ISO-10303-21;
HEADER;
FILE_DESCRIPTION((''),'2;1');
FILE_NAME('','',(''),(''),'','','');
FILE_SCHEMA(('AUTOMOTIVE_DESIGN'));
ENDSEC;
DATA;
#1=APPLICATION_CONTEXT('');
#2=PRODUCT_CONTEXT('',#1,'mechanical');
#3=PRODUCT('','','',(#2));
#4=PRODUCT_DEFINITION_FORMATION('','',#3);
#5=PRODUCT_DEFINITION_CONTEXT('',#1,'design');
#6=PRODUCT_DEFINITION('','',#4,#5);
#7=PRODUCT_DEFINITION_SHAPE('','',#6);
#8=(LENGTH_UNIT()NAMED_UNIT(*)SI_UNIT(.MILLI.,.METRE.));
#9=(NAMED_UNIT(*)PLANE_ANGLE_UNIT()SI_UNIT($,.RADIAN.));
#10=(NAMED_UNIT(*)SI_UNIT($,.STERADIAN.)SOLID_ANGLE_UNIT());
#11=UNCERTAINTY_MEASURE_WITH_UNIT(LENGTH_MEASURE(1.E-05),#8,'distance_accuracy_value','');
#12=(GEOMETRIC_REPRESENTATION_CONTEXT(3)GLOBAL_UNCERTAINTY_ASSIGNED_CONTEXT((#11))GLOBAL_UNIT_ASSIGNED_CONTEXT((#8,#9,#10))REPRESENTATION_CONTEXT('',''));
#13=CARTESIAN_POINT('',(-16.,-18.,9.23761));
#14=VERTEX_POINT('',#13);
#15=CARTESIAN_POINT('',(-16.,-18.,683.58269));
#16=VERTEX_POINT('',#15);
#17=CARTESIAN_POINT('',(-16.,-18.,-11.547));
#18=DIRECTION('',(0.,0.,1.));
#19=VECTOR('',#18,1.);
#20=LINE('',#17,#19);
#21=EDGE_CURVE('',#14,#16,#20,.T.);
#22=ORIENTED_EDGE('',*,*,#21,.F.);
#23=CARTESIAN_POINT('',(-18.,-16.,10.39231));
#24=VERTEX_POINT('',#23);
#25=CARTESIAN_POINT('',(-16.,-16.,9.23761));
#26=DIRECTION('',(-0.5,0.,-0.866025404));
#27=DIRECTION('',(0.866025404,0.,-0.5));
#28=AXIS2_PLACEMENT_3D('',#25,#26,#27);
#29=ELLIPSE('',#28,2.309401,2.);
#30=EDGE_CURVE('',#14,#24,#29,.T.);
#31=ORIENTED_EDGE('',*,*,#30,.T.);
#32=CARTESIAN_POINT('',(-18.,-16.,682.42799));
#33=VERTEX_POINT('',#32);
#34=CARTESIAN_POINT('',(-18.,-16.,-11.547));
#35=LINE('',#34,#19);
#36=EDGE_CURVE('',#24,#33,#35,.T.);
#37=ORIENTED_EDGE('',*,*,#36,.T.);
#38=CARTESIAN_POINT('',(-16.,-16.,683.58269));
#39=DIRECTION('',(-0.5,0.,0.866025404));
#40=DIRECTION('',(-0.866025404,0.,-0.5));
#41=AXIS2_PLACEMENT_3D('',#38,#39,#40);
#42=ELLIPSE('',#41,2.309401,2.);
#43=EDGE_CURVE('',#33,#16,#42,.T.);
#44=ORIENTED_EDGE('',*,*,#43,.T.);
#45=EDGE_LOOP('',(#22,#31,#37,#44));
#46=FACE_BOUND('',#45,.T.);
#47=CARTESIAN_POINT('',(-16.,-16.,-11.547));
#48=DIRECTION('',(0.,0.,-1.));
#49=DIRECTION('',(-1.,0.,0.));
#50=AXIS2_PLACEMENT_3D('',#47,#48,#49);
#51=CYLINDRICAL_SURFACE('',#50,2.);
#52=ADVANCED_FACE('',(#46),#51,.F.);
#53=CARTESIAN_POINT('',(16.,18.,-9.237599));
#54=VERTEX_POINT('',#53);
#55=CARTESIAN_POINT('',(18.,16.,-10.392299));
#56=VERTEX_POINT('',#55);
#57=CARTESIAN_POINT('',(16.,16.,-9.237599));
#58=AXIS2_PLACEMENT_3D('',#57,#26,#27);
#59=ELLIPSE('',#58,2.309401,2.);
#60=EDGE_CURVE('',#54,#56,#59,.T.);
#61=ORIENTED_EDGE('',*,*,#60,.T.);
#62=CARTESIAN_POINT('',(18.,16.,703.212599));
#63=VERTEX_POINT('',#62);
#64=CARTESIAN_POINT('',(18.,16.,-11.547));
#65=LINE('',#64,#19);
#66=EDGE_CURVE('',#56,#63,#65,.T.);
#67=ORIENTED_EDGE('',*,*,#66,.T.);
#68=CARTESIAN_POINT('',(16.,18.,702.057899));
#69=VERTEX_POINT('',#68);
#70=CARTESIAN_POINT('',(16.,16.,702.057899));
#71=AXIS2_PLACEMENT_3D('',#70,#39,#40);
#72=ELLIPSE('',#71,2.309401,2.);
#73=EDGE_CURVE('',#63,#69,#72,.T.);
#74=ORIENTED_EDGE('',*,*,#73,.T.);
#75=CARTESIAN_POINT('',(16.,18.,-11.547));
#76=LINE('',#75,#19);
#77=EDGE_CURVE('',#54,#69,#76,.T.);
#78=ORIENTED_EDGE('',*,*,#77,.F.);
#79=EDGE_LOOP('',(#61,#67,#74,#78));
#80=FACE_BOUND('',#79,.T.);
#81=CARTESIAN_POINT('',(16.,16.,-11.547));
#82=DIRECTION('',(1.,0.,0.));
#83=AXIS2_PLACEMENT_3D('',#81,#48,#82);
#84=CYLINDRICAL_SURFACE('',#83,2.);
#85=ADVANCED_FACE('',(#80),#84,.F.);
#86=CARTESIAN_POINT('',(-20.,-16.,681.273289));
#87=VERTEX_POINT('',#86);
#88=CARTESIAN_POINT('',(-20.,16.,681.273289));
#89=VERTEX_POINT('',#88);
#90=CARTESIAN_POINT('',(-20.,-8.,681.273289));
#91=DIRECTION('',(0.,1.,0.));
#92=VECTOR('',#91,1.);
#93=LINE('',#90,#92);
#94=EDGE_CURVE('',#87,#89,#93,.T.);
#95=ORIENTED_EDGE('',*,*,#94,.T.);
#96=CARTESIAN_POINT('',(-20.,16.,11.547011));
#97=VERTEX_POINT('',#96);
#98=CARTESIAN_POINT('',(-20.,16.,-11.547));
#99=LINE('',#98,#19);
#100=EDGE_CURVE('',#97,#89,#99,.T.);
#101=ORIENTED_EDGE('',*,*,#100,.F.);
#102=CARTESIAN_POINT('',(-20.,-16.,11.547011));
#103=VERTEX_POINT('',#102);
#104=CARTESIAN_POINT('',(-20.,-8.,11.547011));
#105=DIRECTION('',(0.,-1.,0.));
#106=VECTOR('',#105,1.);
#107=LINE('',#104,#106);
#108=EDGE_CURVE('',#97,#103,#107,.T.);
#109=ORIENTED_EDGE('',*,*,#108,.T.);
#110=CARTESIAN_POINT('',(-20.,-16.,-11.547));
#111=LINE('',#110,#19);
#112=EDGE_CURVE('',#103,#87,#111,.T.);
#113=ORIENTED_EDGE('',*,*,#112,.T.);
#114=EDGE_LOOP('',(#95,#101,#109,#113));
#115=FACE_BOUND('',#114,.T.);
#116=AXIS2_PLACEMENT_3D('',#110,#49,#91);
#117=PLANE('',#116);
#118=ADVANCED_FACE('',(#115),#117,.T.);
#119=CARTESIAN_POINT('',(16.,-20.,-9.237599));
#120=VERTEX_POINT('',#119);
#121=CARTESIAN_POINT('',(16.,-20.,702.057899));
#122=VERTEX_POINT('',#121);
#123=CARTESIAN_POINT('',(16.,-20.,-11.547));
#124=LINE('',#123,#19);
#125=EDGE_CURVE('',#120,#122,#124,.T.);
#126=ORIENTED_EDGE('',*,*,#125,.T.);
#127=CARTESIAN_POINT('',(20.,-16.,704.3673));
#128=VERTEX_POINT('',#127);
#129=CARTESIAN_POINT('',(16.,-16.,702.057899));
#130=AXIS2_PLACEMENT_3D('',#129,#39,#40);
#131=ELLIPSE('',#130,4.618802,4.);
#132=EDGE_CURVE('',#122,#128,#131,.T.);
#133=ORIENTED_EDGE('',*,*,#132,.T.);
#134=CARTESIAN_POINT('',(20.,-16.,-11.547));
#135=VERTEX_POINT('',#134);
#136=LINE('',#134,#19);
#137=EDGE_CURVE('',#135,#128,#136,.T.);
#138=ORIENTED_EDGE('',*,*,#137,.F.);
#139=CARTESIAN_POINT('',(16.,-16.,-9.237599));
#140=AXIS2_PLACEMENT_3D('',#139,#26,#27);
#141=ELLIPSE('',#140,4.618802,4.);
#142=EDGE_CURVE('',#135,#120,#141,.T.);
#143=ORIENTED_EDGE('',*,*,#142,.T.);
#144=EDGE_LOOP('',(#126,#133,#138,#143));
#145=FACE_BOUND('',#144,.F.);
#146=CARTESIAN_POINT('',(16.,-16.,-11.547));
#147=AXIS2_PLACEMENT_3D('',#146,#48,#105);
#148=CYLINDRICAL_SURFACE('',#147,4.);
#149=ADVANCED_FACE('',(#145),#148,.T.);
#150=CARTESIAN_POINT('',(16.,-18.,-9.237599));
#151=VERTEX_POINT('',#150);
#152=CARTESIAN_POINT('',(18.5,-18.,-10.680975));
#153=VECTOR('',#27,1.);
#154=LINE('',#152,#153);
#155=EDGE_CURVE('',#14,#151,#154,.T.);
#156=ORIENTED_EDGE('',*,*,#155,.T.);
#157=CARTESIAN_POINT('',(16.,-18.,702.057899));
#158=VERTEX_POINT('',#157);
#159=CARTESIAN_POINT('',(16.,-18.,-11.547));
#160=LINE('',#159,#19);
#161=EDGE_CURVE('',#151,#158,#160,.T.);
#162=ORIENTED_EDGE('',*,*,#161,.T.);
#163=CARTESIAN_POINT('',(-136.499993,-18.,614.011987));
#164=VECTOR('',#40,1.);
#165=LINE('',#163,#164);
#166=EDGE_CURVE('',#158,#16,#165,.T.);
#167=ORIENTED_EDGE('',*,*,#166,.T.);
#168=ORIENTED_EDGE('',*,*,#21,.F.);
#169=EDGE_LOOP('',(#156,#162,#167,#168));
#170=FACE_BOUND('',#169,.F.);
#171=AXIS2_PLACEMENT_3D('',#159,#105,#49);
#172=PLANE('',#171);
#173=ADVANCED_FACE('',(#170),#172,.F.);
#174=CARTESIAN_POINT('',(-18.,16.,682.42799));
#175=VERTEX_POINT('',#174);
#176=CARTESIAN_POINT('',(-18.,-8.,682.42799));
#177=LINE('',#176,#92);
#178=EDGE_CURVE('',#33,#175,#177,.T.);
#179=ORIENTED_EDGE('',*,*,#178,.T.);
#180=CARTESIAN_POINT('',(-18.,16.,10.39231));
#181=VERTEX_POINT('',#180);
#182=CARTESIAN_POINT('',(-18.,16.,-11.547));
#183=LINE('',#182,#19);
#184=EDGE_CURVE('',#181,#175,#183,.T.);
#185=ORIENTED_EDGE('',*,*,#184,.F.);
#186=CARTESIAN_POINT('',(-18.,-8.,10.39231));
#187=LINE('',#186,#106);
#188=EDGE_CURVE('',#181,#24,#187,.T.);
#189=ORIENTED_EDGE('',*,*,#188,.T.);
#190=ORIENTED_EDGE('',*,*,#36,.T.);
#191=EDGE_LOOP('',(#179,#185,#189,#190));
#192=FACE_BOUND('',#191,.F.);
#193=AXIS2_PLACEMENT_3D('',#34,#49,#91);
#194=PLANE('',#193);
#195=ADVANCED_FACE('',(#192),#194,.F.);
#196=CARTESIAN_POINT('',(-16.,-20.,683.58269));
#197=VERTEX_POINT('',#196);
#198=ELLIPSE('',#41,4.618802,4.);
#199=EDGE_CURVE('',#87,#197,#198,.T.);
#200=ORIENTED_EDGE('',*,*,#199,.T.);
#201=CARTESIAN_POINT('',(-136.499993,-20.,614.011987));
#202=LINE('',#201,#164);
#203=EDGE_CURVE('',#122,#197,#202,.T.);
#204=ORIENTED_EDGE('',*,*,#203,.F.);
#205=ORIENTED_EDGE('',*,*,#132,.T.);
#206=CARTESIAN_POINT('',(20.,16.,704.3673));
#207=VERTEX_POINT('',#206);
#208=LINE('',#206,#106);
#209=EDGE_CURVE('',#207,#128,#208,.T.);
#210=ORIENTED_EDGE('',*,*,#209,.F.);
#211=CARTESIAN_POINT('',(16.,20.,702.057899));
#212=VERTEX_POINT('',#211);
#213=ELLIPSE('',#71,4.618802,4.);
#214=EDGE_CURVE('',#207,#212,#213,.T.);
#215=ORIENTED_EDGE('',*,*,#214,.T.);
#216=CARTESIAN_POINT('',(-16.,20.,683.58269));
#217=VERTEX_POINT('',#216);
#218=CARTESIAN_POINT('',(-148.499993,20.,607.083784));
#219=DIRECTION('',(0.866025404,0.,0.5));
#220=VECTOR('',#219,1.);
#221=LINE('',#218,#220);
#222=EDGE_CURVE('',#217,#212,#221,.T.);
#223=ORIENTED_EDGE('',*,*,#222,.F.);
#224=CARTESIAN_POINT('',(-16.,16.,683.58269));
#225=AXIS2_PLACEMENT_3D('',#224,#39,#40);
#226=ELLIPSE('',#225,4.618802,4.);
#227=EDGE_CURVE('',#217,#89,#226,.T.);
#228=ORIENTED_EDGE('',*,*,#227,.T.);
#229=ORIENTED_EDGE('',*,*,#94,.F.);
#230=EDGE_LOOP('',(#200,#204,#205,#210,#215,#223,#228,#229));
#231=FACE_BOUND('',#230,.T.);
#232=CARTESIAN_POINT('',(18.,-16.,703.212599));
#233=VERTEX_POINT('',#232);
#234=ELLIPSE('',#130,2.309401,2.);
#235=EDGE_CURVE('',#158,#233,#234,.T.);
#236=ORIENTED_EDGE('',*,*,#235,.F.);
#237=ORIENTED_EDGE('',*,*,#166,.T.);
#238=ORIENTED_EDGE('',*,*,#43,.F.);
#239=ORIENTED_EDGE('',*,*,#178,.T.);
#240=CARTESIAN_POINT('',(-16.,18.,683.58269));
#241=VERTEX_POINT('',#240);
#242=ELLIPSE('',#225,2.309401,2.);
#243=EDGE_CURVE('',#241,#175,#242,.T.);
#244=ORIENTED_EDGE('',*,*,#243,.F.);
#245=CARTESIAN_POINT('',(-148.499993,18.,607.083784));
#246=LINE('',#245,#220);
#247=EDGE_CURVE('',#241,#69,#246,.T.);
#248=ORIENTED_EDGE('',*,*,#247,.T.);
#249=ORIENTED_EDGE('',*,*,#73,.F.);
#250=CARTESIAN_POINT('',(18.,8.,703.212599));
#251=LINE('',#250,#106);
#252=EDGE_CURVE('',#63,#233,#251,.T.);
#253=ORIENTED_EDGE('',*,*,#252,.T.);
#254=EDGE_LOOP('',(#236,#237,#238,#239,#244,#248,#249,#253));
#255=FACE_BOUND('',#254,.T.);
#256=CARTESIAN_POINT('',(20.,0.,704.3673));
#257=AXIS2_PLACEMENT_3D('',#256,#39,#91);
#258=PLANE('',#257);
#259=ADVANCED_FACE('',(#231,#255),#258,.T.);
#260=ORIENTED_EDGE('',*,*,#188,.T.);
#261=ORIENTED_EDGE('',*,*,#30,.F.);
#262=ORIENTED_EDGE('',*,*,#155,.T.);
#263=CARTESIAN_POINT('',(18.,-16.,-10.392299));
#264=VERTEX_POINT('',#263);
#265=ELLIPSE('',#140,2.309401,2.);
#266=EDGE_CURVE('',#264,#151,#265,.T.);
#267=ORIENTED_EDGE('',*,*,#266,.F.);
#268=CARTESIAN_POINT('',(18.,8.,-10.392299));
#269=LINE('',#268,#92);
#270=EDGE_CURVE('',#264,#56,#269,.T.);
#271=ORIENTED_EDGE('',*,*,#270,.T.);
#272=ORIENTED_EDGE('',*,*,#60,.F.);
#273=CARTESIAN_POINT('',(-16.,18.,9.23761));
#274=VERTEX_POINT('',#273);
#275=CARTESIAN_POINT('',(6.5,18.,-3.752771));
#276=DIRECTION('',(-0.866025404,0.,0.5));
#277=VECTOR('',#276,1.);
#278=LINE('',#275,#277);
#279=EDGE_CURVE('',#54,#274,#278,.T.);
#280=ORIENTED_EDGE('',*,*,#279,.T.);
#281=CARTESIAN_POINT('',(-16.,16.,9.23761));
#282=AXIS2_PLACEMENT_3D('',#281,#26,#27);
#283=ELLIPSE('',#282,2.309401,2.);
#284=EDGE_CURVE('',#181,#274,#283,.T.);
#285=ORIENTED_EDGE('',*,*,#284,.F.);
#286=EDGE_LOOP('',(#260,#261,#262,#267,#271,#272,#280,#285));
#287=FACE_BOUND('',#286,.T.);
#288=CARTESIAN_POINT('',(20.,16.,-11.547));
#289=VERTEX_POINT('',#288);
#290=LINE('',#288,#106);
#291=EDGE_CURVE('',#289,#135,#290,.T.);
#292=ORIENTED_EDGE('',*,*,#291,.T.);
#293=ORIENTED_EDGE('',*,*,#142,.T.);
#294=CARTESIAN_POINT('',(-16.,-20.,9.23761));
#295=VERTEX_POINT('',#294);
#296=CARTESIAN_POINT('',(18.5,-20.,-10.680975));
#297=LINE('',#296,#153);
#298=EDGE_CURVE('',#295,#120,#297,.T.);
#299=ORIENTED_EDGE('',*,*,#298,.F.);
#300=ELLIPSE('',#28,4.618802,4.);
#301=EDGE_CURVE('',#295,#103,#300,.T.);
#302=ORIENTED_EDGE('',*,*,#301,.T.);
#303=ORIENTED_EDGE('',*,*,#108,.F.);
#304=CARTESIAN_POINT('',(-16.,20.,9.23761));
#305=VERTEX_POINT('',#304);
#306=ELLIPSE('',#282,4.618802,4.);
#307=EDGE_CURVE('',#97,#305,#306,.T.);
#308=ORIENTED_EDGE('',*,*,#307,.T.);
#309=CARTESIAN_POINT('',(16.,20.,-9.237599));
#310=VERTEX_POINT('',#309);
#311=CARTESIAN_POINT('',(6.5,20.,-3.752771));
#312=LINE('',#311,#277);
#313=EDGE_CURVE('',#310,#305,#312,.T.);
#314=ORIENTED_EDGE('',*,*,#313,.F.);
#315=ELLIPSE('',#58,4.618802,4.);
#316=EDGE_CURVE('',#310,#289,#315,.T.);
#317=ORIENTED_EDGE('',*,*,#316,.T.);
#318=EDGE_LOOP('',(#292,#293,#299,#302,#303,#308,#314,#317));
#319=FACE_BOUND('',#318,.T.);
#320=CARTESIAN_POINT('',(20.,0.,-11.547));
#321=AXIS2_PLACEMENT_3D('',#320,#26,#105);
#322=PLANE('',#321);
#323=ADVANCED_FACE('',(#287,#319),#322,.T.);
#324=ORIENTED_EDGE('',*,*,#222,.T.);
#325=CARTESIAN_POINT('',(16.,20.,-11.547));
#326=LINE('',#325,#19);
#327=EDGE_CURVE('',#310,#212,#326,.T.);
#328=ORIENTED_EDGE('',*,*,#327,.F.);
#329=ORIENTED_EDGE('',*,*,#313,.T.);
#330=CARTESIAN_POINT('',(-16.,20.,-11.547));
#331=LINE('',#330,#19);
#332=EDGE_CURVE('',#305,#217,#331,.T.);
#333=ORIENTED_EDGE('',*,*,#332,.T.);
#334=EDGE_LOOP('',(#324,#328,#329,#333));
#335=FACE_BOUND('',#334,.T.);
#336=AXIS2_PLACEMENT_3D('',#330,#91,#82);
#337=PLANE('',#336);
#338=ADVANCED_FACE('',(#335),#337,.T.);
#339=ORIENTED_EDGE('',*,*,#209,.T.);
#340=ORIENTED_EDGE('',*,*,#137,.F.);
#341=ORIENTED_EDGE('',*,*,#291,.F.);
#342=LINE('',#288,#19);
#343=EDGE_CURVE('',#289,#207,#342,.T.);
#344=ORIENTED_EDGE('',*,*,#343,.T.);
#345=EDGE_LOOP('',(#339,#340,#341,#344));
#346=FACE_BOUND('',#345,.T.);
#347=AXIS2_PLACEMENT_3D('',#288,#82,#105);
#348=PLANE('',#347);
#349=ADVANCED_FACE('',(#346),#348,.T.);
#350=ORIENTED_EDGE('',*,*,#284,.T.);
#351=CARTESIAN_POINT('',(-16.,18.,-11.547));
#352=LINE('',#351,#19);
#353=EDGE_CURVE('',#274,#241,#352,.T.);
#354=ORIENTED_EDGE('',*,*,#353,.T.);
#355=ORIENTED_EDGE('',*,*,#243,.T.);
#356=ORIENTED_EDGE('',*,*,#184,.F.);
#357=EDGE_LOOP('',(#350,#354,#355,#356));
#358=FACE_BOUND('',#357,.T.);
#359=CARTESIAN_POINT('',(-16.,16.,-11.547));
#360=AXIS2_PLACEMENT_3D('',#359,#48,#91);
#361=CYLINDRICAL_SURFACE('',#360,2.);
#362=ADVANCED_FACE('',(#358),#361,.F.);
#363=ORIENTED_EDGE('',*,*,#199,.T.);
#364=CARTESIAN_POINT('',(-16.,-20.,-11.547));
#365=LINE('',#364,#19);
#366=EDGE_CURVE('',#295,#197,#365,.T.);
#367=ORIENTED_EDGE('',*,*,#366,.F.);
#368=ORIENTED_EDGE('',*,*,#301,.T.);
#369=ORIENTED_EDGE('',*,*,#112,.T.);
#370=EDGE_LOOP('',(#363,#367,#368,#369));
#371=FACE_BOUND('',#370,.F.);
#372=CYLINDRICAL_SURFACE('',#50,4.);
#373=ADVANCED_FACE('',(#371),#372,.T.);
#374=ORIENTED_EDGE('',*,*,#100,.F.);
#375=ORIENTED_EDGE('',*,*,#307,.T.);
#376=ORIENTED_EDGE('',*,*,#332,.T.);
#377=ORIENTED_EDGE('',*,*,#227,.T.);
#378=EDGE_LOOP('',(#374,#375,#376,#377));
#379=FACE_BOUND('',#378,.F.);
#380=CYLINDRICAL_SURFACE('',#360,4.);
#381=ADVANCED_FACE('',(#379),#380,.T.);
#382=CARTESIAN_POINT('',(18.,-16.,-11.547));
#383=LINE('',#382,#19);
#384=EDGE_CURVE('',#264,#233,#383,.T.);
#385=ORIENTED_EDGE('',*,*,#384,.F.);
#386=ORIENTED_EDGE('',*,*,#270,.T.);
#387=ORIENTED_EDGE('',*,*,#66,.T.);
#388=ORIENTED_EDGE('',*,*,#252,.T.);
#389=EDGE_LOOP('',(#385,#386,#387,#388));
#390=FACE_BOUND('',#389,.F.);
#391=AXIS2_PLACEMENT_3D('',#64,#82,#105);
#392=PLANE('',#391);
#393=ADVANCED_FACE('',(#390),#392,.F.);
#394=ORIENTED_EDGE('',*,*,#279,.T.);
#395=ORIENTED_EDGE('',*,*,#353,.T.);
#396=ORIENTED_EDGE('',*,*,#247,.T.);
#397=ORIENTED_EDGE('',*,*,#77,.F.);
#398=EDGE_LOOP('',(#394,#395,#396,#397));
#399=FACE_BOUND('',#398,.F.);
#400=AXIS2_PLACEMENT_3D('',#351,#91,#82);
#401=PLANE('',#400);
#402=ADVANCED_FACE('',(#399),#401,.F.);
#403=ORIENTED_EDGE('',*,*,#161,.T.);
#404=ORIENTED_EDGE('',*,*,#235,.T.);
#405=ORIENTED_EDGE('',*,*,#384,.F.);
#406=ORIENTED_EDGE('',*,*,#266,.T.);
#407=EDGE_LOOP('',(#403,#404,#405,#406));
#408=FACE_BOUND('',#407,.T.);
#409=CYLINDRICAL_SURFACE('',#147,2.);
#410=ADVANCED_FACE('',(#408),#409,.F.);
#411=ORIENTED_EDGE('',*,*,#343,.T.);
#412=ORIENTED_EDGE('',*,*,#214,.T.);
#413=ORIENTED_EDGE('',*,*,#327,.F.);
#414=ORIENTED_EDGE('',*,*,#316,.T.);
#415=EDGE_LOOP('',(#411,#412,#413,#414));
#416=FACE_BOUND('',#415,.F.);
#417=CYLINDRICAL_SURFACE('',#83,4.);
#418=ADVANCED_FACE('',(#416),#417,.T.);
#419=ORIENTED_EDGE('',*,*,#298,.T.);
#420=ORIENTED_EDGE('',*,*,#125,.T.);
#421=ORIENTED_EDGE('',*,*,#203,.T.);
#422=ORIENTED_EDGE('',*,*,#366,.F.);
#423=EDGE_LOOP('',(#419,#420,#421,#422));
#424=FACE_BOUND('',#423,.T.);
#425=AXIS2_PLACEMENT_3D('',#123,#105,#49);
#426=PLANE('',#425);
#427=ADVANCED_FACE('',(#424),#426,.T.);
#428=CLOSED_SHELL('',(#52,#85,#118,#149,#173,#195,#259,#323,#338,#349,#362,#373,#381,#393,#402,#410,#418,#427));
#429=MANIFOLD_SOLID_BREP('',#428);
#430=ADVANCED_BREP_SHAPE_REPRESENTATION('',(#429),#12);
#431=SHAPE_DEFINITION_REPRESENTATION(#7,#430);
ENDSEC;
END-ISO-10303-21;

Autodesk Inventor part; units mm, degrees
ref_plane "Start Plane" through (0, 0, -11.547) normal (0, 0, 1) x (1, 0, 0)
ref_plane "End Plane" through (0, 0, 704.3673) normal (0, 0, 1) x (1, 0, 0)
sketch "Sketch" plane through (0, 0, 0) normal (0, 0, 1) x (1, 0, 0)
  line L0 (-20, -16) -> (-20, 16)
  line L1 (-16, 20) -> (16, 20)
  line L2 (20, 16) -> (20, -16)
  line L3 (16, -20) -> (-16, -20)
  arc A0 (-20, -16) -> (-16, -20) centre (-16, -16) ccw
  arc A1 (20, 16) -> (16, 20) centre (16, 16) ccw
  arc A2 (-16, 20) -> (-20, 16) centre (-16, 16) ccw
  arc A3 (16, -20) -> (20, -16) centre (16, -16) ccw
  arc A4 (-16, 18) -> (-18, 16) centre (-16, 16) ccw
  line L4 (-16, 18) -> (16, 18)
  arc A5 (18, 16) -> (16, 18) centre (16, 16) ccw
  line L5 (18, 16) -> (18, -16)
  arc A6 (16, -18) -> (18, -16) centre (16, -16) ccw
  line L6 (16, -18) -> (-16, -18)
  arc A7 (-18, -16) -> (-16, -18) centre (-16, -16) ccw
  line L7 (-18, -16) -> (-18, 16)
  line L8 (0, 29.1598) -> (0, -29.1598) construction
  line L9 (-29.1598, 0) -> (29.1598, 0) construction
  dimension "d7" = 4
  dimension "d9" = 40
  dimension "d11" = 40
  dimension "d12" = 2
  dimension "d15" = 20
  dimension "d16" = 20
extrude "Body" add sketch "Sketch" along normal up to surface (715.9143 mm away) from surface at -11.547
sketch "Sketch3" plane through (0, 0, 0) normal (0, 0, 1) x (1, 0, 0)
  line L0 (0, 0) -> (10, 0)
ref_plane "Work Plane3" through (0, 0, 0) normal (0, -1, 0) x (1, 0, 0)
sketch "Sketch4" plane through (0, 0, 0) normal (0, -1, 0) x (1, 0, 0)
  line L0 (-2, -11.547) -> (12, -11.547)
  line L1 (-2, 704.3673) -> (12, 704.3673)
  dimension "d18" = 715.9143
ref_plane "Work Plane4" through (20, 0, -11.547) normal (-0.5, 0, -0.866) x (-0.866, 0, 0.5)
split "Split1" plane through (20, 0, -11.547) removes the side toward (-0.5, 0, -0.866)
ref_plane "Work Plane5" through (20, 0, 704.3673) normal (-0.5, 0, 0.866) x (0.866, 0, 0.5)
split "Split2" plane through (20, 0, 704.3673) removes the side toward (-0.5, 0, 0.866)
equation "\"d7\" = G_IR"
equation "\"d9\" = G_W"
equation "\"d11\" = G_H"
equation "\"d12\" = G_T"
equation "\"d15\" = 0.5 * d9"
equation "\"d16\" = 0.5 * d11"
equation "\"d3\" = G_L"
equation "\"G_W\" = 40"
equation "\"G_H\" = 40"
equation "\"G_T\" = 2"
equation "\"G_IR\" = 4"
equation "\"G_L\" = d18"
equation "\"G_OFFSET_START\" = 11.54701"
equation "\"G_OFFSET_END\" = 11.54701"
equation "\"d13\" = -G_OFFSET_START"
equation "\"d14\" = G_OFFSET_END + B_L"
equation "\"B_L\" = 692.82032"
properties part number "ISO 10799-2 - 40x40x2 - 715,91" material "Steel, Mild"
